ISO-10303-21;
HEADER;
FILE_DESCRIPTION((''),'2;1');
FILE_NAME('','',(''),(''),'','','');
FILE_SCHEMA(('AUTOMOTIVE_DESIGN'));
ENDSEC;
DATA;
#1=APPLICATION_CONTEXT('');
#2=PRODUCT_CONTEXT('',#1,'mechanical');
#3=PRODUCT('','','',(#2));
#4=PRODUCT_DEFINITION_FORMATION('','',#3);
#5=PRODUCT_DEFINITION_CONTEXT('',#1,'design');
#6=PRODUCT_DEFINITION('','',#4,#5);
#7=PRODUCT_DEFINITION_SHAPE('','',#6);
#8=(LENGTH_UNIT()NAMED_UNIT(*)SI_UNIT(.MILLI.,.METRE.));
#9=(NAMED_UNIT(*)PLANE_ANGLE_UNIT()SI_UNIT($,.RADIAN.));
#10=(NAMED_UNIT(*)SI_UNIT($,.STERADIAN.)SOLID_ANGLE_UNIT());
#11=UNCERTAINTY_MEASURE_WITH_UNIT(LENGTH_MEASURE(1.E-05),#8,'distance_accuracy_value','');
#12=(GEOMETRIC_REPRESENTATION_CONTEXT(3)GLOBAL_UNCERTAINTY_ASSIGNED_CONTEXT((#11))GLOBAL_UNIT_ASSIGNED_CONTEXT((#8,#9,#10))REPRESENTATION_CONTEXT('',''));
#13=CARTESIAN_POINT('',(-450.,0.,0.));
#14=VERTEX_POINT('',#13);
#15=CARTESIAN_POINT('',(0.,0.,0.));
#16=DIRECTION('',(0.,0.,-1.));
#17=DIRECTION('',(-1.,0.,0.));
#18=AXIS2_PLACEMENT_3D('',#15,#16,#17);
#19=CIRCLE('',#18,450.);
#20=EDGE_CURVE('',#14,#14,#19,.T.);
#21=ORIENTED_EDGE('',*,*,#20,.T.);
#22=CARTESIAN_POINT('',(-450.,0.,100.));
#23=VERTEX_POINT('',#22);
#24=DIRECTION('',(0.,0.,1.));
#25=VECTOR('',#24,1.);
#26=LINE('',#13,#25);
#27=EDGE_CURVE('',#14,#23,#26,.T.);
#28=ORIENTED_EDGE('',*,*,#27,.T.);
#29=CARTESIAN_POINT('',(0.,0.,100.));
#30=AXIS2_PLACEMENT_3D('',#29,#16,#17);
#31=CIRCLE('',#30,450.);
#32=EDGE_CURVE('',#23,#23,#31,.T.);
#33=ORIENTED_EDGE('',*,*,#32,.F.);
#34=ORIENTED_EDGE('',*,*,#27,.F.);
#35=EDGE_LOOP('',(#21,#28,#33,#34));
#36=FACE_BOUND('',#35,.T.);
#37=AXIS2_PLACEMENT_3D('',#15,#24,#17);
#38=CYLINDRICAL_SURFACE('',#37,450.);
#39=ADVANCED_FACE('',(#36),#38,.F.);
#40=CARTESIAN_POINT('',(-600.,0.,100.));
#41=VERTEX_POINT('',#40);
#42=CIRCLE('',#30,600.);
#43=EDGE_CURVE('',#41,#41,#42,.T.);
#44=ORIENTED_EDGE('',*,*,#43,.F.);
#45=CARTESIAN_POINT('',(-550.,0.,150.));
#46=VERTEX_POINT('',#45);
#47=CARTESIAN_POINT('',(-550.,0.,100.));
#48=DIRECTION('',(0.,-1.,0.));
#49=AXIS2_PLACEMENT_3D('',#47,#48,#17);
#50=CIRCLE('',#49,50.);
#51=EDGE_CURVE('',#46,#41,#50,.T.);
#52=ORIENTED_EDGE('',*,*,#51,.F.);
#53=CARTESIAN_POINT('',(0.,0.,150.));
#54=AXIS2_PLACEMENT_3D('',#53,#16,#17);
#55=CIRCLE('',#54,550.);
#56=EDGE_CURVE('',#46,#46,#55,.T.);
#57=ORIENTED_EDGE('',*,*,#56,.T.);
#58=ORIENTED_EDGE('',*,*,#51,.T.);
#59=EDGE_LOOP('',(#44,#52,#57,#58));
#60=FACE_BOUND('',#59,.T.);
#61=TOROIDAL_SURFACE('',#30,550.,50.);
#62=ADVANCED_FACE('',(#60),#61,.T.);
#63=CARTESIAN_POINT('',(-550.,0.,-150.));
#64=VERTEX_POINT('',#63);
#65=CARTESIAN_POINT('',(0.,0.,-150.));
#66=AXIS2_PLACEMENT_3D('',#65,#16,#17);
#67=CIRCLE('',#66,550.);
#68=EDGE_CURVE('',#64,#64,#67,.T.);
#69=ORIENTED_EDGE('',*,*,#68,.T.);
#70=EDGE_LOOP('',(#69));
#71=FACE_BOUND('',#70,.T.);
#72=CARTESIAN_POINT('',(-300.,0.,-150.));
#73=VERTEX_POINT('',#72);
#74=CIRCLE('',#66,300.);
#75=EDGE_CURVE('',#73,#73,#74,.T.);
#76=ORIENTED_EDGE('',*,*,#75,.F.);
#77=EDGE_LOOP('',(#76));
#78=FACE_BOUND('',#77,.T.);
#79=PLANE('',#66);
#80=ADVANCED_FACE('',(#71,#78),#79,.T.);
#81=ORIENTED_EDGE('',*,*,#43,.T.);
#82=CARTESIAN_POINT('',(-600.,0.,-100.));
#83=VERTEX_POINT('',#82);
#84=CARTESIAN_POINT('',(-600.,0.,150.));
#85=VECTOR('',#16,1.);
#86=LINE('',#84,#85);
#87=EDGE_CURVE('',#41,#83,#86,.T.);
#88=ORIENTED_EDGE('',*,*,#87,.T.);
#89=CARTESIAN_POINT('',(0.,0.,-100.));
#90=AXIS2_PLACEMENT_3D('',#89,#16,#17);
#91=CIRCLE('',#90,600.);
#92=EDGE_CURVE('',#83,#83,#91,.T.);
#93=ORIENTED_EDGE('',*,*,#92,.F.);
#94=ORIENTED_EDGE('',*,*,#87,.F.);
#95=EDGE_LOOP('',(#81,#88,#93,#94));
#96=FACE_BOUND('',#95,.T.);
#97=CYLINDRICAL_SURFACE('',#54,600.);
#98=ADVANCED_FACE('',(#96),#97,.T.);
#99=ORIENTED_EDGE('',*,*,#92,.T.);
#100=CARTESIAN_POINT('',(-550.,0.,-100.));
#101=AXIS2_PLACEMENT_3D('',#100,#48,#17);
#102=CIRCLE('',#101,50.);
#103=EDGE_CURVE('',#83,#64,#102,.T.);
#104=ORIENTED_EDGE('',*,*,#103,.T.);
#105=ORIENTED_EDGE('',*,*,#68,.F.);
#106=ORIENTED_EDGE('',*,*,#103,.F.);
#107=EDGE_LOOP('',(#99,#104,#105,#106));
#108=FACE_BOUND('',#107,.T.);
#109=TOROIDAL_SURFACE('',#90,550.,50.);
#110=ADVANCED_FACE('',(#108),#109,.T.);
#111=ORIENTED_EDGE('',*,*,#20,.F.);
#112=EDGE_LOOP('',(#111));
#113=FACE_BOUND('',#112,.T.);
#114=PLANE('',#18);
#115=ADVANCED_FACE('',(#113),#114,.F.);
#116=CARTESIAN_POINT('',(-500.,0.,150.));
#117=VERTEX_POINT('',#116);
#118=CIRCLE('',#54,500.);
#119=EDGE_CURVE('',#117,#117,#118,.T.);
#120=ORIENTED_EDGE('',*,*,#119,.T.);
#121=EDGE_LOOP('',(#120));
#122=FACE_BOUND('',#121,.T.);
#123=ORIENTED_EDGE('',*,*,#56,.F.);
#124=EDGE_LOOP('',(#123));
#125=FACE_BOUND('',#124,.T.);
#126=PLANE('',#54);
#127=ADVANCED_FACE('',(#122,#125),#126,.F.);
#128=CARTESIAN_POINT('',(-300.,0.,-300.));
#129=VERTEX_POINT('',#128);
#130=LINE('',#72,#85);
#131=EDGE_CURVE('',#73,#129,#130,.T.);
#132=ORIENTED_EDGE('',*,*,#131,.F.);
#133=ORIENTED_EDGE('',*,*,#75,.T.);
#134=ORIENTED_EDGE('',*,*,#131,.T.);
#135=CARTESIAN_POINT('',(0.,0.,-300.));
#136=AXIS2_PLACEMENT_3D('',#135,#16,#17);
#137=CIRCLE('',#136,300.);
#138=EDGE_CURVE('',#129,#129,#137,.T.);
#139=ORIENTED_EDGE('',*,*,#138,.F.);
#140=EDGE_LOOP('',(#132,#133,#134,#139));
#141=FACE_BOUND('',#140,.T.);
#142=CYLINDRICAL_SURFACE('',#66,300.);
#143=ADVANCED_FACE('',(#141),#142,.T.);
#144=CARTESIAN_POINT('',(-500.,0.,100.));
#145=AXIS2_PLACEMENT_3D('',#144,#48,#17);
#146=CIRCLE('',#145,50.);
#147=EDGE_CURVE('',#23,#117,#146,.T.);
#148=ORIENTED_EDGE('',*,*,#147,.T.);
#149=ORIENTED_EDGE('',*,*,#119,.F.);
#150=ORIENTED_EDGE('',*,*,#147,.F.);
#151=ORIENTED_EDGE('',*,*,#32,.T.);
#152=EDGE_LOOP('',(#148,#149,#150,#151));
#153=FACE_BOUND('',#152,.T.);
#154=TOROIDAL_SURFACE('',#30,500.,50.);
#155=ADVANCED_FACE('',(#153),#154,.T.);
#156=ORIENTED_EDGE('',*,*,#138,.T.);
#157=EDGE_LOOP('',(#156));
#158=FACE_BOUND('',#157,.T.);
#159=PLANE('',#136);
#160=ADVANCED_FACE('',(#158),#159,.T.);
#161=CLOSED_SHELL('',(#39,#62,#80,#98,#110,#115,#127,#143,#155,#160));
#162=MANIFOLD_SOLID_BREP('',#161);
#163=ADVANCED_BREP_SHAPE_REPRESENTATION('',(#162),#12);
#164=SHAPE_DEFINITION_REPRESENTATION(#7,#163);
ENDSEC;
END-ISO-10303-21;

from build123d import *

# Parameters (mm, degrees)
F2_R = 50


with BuildPart() as f1:
    # F0 (on Front) → F1 (revolve)
    with BuildSketch(Plane.XZ):
        Polygon((0, -35.029411), (0, 0), (-450, 0), (-450, 150), (-600, 150), (-600, -150), (-300, -150), (-300, -300), (0, -300), align=None)
    revolve(axis=Axis((0, 0, 9.705884), (0, 0, -1)))

    # F2
    f2_edges = [f1.edges().sort_by_distance(p)[0] for p in [
        (600, 0, 150),
        (450, 0, 150),
        (600, 0, -150),
    ]]
    fillet(f2_edges, radius=F2_R)


solid = f1.part
